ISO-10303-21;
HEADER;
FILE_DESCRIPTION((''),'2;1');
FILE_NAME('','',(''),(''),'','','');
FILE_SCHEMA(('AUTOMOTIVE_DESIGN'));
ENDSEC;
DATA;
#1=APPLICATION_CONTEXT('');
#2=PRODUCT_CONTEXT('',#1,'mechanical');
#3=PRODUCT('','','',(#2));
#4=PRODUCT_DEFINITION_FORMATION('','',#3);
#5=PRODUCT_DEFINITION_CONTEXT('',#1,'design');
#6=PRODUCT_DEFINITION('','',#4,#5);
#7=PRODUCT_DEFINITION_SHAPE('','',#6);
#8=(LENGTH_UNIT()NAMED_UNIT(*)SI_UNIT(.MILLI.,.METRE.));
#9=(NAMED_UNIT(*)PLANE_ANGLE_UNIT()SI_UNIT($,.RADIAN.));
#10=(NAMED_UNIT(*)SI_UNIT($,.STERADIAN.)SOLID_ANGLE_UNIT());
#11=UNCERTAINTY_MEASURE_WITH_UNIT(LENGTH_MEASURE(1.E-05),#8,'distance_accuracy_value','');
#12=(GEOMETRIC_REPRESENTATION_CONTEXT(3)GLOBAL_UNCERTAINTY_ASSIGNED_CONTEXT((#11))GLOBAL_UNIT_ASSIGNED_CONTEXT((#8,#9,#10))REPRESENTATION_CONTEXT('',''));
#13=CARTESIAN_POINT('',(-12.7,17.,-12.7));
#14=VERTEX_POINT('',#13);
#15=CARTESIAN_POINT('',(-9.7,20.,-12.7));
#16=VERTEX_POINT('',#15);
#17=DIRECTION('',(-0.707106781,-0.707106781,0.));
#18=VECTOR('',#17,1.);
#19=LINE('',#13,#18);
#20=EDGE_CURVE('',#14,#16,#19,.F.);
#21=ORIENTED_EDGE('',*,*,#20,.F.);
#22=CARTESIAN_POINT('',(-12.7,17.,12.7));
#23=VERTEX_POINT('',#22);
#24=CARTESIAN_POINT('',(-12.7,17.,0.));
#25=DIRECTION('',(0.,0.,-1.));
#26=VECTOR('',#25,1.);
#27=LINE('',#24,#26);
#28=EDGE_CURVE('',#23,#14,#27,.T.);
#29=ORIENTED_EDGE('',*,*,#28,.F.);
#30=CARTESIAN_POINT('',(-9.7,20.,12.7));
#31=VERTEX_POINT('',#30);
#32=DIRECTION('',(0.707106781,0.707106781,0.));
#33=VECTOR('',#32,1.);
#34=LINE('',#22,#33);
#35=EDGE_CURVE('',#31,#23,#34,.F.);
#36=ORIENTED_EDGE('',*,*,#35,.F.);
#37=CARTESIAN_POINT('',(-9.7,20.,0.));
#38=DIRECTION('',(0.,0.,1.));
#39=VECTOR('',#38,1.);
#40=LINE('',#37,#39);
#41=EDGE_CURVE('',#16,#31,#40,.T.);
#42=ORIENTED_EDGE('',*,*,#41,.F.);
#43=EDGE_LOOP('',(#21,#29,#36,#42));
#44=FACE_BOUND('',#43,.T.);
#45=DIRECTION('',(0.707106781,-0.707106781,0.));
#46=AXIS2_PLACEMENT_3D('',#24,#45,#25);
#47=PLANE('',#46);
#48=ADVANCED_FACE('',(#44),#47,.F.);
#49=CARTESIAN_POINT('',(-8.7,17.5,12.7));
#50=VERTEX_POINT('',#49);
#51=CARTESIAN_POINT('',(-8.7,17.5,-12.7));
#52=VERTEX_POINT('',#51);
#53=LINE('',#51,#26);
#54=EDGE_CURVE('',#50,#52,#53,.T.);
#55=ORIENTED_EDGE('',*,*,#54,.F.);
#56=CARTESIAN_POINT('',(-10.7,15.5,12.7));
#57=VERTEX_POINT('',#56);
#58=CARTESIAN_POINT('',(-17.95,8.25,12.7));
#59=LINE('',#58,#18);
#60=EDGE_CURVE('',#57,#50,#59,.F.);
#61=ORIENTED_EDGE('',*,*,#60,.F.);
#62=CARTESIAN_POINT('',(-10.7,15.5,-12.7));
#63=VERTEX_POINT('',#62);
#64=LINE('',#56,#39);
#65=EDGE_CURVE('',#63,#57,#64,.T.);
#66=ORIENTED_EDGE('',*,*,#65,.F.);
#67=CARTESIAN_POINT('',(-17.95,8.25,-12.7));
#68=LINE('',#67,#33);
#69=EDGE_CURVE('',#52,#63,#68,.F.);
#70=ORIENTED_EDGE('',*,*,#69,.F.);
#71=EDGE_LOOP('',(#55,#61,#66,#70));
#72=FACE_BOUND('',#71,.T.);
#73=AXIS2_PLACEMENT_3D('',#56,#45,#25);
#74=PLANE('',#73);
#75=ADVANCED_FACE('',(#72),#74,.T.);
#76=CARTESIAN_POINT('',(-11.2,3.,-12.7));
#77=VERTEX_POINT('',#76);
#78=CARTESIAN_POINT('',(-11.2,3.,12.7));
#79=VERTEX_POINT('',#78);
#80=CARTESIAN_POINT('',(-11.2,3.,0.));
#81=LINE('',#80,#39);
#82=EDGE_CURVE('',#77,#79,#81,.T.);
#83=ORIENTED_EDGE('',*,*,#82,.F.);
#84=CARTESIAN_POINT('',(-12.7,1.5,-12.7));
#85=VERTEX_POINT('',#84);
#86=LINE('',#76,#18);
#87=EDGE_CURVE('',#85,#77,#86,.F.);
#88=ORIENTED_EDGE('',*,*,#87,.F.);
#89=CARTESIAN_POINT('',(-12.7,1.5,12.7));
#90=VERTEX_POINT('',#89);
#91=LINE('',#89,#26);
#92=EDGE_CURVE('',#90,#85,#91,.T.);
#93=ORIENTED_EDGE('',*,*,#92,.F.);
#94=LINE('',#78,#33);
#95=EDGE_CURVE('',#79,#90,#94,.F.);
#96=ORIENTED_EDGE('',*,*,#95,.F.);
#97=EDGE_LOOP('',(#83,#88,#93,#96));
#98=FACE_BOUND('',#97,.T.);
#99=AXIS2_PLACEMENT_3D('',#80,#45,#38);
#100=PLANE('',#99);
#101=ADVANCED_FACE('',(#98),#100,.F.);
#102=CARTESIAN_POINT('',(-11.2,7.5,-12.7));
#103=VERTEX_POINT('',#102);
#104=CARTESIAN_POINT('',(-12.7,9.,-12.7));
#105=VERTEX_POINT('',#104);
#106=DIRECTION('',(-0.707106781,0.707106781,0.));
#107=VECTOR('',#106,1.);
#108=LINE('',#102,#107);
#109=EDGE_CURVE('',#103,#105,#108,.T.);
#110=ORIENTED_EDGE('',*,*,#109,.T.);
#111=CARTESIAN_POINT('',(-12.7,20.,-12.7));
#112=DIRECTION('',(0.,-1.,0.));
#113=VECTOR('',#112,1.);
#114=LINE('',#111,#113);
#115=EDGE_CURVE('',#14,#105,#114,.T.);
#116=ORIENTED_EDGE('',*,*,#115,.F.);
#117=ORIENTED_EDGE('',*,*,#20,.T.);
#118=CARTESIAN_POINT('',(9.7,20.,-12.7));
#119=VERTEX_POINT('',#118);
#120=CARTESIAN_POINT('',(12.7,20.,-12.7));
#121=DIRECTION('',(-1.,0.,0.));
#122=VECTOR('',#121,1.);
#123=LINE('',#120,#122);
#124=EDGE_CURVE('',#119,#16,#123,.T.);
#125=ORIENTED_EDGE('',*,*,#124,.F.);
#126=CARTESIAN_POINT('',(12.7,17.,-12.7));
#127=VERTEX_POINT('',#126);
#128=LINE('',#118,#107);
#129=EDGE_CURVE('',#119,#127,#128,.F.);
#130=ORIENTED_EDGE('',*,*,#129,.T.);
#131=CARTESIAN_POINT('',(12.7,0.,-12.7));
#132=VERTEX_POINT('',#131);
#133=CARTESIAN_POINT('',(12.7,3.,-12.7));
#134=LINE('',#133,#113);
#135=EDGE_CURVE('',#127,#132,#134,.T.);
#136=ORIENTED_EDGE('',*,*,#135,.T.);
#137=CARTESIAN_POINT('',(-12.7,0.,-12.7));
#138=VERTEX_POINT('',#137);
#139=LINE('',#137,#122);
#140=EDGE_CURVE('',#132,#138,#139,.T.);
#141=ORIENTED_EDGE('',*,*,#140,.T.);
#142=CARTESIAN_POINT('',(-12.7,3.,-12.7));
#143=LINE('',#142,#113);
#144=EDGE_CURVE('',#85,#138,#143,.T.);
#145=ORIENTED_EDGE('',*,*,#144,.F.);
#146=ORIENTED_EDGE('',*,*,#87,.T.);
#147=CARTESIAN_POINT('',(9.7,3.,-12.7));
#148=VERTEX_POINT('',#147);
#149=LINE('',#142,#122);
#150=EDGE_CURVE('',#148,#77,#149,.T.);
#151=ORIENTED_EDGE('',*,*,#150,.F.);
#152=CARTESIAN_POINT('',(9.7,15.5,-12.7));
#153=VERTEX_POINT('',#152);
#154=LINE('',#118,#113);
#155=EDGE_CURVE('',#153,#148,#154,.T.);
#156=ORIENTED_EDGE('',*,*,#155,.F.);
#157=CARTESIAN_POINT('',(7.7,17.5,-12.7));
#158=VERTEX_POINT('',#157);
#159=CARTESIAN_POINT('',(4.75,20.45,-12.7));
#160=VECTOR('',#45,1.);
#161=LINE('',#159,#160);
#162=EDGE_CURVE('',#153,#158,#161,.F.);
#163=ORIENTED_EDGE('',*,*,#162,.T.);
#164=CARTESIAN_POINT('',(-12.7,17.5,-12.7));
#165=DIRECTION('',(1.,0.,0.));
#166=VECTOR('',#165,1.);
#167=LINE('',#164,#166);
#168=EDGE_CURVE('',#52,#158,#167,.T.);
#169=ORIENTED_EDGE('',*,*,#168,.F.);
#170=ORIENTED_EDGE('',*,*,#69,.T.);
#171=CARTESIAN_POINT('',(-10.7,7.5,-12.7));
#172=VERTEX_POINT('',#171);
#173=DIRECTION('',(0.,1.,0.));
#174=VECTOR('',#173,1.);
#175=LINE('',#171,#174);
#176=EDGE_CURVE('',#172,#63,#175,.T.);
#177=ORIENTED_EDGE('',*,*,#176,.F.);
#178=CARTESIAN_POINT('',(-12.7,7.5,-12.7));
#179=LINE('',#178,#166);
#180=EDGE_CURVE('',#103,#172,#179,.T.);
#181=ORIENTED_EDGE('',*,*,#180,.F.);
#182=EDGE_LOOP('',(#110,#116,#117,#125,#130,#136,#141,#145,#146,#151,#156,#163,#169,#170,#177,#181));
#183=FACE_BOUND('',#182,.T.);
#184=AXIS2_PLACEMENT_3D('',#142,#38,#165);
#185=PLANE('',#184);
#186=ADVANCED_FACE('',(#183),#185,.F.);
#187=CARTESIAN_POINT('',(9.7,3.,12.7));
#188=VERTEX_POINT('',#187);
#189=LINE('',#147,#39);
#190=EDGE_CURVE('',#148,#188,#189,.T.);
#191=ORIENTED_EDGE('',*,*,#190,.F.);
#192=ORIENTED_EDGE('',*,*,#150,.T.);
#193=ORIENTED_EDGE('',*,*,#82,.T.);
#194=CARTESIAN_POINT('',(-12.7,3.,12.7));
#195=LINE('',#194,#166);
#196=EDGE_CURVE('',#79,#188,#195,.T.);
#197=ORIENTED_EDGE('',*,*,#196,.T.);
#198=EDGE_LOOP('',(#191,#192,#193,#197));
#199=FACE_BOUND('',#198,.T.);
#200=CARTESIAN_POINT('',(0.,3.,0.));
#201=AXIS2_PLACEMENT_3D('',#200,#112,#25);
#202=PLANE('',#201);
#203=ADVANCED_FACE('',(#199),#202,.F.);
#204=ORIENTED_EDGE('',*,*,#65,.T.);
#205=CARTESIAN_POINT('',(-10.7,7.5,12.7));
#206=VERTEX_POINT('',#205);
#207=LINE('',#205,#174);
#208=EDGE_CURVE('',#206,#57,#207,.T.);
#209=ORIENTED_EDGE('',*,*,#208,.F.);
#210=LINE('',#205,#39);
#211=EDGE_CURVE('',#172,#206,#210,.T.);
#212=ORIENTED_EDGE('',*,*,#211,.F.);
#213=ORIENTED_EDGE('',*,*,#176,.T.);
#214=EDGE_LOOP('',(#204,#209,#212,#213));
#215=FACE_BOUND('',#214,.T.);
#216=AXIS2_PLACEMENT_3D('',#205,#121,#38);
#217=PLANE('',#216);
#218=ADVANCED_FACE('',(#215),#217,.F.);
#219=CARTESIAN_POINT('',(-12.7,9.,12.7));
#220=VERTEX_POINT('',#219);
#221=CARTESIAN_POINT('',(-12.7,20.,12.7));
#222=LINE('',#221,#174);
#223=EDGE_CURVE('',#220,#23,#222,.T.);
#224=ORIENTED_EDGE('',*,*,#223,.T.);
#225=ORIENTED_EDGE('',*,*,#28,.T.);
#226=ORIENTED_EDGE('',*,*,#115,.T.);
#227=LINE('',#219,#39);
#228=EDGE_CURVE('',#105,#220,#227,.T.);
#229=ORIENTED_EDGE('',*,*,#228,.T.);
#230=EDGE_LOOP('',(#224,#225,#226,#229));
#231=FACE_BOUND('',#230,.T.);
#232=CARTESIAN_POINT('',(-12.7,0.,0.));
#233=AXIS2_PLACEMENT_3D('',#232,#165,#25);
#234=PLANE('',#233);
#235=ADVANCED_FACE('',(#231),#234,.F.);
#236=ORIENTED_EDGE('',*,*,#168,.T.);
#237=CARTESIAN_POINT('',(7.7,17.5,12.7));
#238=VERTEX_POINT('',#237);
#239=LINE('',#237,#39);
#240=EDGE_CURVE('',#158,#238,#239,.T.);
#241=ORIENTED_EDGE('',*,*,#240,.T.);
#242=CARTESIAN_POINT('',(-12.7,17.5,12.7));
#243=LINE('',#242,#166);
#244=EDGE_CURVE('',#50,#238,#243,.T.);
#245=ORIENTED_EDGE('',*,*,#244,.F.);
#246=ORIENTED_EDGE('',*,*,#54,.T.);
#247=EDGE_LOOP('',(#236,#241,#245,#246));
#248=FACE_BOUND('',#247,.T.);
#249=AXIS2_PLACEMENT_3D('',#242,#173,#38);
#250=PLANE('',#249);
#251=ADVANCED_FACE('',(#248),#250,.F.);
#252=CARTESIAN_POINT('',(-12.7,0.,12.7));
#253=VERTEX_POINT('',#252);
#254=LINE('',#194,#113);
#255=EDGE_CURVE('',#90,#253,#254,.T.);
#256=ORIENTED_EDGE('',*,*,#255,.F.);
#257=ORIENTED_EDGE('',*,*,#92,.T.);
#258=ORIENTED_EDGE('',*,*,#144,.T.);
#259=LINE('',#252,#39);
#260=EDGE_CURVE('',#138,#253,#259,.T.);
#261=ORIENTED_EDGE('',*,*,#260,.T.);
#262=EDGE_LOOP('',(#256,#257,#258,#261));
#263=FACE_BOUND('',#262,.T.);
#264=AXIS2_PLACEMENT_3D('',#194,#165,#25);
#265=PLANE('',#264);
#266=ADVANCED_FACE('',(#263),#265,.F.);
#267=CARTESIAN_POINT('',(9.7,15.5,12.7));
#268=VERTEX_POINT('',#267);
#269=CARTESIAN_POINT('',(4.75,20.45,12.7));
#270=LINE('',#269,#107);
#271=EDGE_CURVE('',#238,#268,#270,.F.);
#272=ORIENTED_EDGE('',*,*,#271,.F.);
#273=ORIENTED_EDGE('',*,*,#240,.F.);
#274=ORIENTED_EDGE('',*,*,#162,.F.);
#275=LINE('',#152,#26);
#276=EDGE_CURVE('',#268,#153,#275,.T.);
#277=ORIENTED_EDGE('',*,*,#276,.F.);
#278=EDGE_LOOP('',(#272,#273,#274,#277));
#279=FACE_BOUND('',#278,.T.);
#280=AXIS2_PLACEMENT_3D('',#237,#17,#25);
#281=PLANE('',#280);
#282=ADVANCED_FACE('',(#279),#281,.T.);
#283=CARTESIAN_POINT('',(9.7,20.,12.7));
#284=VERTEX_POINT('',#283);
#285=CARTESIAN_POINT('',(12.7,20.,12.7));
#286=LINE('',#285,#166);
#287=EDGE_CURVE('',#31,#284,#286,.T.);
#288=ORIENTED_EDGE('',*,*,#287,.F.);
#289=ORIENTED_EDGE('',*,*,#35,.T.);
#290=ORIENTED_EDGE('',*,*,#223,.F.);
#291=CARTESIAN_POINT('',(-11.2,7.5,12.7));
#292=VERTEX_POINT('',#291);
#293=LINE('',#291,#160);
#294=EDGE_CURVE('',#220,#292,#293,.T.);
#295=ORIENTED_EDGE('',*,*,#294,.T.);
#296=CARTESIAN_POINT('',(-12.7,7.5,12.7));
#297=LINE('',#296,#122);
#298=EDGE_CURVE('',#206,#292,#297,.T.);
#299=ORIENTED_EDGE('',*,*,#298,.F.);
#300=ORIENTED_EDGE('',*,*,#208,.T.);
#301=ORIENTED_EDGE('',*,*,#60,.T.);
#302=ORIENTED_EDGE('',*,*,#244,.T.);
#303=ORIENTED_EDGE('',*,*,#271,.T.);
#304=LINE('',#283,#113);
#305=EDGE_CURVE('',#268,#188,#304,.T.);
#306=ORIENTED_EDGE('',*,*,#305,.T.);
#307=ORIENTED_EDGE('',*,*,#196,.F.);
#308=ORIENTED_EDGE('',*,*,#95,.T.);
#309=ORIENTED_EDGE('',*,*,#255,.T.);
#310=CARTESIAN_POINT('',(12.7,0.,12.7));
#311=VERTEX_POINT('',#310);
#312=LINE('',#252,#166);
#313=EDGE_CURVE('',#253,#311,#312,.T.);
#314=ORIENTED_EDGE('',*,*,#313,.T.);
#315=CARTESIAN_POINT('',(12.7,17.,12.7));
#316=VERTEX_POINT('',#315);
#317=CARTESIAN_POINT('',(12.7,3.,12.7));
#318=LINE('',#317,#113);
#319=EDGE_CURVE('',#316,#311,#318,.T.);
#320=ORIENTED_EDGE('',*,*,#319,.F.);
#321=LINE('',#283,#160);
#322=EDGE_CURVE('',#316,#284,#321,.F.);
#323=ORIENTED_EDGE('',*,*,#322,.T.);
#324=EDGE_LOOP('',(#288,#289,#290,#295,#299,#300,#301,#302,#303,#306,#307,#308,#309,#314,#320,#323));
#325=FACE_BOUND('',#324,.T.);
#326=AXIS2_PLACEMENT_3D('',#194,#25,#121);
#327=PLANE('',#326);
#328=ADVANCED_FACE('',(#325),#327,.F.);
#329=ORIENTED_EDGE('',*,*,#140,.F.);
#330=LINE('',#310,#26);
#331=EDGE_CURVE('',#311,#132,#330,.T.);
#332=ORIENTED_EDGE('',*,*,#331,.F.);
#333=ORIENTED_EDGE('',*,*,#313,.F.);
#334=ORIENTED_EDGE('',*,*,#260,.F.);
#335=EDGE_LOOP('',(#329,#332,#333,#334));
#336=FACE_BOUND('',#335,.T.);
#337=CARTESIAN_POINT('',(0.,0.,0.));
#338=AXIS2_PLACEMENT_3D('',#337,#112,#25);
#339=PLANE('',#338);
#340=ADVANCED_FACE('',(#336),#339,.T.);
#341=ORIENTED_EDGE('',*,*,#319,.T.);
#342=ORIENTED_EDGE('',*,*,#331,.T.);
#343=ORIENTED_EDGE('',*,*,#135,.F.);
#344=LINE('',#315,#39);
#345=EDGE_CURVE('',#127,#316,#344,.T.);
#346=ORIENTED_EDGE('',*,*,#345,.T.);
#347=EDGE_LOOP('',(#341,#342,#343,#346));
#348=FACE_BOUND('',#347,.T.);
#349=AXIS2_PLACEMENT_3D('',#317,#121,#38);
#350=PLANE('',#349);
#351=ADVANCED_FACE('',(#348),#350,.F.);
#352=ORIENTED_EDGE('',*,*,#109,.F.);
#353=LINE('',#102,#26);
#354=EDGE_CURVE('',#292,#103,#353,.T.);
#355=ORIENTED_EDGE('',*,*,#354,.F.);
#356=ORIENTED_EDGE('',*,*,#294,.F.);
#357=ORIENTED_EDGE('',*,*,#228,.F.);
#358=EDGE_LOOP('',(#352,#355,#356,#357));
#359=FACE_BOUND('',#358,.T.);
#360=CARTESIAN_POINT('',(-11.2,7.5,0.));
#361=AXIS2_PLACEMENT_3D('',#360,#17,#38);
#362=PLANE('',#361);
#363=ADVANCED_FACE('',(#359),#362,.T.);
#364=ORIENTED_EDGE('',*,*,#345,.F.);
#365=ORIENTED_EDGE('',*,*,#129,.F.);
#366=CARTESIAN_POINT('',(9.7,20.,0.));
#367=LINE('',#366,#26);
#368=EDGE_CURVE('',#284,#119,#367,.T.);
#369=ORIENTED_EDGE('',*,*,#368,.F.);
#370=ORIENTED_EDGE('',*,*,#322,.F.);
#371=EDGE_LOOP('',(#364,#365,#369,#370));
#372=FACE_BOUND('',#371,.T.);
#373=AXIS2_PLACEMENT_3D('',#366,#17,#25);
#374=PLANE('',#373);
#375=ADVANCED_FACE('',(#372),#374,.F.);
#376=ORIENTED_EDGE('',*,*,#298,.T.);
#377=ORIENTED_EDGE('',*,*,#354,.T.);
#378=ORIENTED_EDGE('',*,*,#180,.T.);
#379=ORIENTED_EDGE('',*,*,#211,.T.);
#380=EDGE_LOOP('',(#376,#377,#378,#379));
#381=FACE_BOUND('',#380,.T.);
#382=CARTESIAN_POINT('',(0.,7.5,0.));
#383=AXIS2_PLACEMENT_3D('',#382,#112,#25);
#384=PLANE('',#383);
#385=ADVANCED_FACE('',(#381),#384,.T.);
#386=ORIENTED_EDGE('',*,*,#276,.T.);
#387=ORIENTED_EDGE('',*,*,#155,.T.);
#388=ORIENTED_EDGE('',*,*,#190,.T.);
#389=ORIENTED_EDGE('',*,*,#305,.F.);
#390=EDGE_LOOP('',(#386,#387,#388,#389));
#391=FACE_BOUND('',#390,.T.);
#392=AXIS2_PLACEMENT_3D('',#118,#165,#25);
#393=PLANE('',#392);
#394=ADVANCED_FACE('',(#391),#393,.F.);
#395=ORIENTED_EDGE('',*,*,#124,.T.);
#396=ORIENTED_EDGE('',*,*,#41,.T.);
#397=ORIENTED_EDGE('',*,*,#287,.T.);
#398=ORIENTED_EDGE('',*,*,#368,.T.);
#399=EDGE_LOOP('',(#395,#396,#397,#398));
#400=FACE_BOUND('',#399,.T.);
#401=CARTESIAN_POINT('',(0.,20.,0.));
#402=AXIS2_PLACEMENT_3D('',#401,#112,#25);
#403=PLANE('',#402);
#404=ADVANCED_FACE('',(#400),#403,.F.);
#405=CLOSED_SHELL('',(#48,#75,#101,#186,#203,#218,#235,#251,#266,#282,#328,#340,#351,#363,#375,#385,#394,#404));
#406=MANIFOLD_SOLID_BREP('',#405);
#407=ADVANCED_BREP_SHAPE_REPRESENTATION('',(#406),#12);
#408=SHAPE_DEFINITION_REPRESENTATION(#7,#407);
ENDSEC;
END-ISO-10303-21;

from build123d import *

# Parameters (mm, degrees)
SKETCH1_W           = 25.4
SKETCH1_H           = 25.4
BOSS_EXTRUDE1_DEPTH = 3
SKETCH2_W           = 3
SKETCH2_H           = 25.4
BOSS_EXTRUDE2_DEPTH = 17
SKETCH3_W           = 25.4
SKETCH3_H           = 2.5
BOSS_EXTRUDE3_DEPTH = 22.4
SKETCH4_W           = 2
SKETCH4_H           = 25.4
BOSS_EXTRUDE4_DEPTH = 10
CHAMFER1_SIZE       = 1.5
CHAMFER2_SIZE       = 3
CHAMFER3_SIZE       = 2
CHAMFER4_SIZE       = 1.5


with BuildPart() as part:
    # Sketch1 → Boss-Extrude1 (new body)
    with BuildSketch(Plane(origin=(0, 0, 0), x_dir=(1, 0, 0), z_dir=(0, 1, 0))):
        Rectangle(SKETCH1_W, SKETCH1_H)
    extrude(amount=BOSS_EXTRUDE1_DEPTH)

    # Sketch2 → Boss-Extrude2 (add)
    with BuildSketch(Plane(origin=(0, 3, 0), x_dir=(1, 0, 0), z_dir=(0, 1, 0))):
        with Locations((11.2, 0)):
            Rectangle(SKETCH2_W, SKETCH2_H)
    extrude(amount=BOSS_EXTRUDE2_DEPTH)

    # Sketch3 → Boss-Extrude3 (add)
    with BuildSketch(Plane.ZY.offset(-9.7)):
        with Locations((0, 18.75)):
            Rectangle(SKETCH3_W, SKETCH3_H)
    extrude(amount=BOSS_EXTRUDE3_DEPTH)

    # Sketch4 → Boss-Extrude4 (add)
    with BuildSketch(Plane.XZ.offset(-17.5)):
        with Locations((-11.7, 0)):
            Rectangle(SKETCH4_W, SKETCH4_H)
    extrude(amount=BOSS_EXTRUDE4_DEPTH)

    # Chamfer1
    chamfer1_edges = [part.edges().sort_by_distance(p)[0] for p in [
        (-12.7, 7.5, 0),
    ]]
    chamfer(chamfer1_edges, length=CHAMFER1_SIZE)

    # Chamfer2
    chamfer2_edges = [part.edges().sort_by_distance(p)[0] for p in [
        (12.7, 20, 0),
        (-12.7, 20, 0),
    ]]
    chamfer(chamfer2_edges, length=CHAMFER2_SIZE)

    # Chamfer3
    chamfer3_edges = [part.edges().sort_by_distance(p)[0] for p in [
        (9.7, 17.5, 0),
        (-10.7, 17.5, 0),
    ]]
    chamfer(chamfer3_edges, length=CHAMFER3_SIZE)

    # Chamfer4
    chamfer4_edges = [part.edges().sort_by_distance(p)[0] for p in [
        (-12.7, 3, 0),
    ]]
    chamfer(chamfer4_edges, length=CHAMFER4_SIZE)


solid = part.part
